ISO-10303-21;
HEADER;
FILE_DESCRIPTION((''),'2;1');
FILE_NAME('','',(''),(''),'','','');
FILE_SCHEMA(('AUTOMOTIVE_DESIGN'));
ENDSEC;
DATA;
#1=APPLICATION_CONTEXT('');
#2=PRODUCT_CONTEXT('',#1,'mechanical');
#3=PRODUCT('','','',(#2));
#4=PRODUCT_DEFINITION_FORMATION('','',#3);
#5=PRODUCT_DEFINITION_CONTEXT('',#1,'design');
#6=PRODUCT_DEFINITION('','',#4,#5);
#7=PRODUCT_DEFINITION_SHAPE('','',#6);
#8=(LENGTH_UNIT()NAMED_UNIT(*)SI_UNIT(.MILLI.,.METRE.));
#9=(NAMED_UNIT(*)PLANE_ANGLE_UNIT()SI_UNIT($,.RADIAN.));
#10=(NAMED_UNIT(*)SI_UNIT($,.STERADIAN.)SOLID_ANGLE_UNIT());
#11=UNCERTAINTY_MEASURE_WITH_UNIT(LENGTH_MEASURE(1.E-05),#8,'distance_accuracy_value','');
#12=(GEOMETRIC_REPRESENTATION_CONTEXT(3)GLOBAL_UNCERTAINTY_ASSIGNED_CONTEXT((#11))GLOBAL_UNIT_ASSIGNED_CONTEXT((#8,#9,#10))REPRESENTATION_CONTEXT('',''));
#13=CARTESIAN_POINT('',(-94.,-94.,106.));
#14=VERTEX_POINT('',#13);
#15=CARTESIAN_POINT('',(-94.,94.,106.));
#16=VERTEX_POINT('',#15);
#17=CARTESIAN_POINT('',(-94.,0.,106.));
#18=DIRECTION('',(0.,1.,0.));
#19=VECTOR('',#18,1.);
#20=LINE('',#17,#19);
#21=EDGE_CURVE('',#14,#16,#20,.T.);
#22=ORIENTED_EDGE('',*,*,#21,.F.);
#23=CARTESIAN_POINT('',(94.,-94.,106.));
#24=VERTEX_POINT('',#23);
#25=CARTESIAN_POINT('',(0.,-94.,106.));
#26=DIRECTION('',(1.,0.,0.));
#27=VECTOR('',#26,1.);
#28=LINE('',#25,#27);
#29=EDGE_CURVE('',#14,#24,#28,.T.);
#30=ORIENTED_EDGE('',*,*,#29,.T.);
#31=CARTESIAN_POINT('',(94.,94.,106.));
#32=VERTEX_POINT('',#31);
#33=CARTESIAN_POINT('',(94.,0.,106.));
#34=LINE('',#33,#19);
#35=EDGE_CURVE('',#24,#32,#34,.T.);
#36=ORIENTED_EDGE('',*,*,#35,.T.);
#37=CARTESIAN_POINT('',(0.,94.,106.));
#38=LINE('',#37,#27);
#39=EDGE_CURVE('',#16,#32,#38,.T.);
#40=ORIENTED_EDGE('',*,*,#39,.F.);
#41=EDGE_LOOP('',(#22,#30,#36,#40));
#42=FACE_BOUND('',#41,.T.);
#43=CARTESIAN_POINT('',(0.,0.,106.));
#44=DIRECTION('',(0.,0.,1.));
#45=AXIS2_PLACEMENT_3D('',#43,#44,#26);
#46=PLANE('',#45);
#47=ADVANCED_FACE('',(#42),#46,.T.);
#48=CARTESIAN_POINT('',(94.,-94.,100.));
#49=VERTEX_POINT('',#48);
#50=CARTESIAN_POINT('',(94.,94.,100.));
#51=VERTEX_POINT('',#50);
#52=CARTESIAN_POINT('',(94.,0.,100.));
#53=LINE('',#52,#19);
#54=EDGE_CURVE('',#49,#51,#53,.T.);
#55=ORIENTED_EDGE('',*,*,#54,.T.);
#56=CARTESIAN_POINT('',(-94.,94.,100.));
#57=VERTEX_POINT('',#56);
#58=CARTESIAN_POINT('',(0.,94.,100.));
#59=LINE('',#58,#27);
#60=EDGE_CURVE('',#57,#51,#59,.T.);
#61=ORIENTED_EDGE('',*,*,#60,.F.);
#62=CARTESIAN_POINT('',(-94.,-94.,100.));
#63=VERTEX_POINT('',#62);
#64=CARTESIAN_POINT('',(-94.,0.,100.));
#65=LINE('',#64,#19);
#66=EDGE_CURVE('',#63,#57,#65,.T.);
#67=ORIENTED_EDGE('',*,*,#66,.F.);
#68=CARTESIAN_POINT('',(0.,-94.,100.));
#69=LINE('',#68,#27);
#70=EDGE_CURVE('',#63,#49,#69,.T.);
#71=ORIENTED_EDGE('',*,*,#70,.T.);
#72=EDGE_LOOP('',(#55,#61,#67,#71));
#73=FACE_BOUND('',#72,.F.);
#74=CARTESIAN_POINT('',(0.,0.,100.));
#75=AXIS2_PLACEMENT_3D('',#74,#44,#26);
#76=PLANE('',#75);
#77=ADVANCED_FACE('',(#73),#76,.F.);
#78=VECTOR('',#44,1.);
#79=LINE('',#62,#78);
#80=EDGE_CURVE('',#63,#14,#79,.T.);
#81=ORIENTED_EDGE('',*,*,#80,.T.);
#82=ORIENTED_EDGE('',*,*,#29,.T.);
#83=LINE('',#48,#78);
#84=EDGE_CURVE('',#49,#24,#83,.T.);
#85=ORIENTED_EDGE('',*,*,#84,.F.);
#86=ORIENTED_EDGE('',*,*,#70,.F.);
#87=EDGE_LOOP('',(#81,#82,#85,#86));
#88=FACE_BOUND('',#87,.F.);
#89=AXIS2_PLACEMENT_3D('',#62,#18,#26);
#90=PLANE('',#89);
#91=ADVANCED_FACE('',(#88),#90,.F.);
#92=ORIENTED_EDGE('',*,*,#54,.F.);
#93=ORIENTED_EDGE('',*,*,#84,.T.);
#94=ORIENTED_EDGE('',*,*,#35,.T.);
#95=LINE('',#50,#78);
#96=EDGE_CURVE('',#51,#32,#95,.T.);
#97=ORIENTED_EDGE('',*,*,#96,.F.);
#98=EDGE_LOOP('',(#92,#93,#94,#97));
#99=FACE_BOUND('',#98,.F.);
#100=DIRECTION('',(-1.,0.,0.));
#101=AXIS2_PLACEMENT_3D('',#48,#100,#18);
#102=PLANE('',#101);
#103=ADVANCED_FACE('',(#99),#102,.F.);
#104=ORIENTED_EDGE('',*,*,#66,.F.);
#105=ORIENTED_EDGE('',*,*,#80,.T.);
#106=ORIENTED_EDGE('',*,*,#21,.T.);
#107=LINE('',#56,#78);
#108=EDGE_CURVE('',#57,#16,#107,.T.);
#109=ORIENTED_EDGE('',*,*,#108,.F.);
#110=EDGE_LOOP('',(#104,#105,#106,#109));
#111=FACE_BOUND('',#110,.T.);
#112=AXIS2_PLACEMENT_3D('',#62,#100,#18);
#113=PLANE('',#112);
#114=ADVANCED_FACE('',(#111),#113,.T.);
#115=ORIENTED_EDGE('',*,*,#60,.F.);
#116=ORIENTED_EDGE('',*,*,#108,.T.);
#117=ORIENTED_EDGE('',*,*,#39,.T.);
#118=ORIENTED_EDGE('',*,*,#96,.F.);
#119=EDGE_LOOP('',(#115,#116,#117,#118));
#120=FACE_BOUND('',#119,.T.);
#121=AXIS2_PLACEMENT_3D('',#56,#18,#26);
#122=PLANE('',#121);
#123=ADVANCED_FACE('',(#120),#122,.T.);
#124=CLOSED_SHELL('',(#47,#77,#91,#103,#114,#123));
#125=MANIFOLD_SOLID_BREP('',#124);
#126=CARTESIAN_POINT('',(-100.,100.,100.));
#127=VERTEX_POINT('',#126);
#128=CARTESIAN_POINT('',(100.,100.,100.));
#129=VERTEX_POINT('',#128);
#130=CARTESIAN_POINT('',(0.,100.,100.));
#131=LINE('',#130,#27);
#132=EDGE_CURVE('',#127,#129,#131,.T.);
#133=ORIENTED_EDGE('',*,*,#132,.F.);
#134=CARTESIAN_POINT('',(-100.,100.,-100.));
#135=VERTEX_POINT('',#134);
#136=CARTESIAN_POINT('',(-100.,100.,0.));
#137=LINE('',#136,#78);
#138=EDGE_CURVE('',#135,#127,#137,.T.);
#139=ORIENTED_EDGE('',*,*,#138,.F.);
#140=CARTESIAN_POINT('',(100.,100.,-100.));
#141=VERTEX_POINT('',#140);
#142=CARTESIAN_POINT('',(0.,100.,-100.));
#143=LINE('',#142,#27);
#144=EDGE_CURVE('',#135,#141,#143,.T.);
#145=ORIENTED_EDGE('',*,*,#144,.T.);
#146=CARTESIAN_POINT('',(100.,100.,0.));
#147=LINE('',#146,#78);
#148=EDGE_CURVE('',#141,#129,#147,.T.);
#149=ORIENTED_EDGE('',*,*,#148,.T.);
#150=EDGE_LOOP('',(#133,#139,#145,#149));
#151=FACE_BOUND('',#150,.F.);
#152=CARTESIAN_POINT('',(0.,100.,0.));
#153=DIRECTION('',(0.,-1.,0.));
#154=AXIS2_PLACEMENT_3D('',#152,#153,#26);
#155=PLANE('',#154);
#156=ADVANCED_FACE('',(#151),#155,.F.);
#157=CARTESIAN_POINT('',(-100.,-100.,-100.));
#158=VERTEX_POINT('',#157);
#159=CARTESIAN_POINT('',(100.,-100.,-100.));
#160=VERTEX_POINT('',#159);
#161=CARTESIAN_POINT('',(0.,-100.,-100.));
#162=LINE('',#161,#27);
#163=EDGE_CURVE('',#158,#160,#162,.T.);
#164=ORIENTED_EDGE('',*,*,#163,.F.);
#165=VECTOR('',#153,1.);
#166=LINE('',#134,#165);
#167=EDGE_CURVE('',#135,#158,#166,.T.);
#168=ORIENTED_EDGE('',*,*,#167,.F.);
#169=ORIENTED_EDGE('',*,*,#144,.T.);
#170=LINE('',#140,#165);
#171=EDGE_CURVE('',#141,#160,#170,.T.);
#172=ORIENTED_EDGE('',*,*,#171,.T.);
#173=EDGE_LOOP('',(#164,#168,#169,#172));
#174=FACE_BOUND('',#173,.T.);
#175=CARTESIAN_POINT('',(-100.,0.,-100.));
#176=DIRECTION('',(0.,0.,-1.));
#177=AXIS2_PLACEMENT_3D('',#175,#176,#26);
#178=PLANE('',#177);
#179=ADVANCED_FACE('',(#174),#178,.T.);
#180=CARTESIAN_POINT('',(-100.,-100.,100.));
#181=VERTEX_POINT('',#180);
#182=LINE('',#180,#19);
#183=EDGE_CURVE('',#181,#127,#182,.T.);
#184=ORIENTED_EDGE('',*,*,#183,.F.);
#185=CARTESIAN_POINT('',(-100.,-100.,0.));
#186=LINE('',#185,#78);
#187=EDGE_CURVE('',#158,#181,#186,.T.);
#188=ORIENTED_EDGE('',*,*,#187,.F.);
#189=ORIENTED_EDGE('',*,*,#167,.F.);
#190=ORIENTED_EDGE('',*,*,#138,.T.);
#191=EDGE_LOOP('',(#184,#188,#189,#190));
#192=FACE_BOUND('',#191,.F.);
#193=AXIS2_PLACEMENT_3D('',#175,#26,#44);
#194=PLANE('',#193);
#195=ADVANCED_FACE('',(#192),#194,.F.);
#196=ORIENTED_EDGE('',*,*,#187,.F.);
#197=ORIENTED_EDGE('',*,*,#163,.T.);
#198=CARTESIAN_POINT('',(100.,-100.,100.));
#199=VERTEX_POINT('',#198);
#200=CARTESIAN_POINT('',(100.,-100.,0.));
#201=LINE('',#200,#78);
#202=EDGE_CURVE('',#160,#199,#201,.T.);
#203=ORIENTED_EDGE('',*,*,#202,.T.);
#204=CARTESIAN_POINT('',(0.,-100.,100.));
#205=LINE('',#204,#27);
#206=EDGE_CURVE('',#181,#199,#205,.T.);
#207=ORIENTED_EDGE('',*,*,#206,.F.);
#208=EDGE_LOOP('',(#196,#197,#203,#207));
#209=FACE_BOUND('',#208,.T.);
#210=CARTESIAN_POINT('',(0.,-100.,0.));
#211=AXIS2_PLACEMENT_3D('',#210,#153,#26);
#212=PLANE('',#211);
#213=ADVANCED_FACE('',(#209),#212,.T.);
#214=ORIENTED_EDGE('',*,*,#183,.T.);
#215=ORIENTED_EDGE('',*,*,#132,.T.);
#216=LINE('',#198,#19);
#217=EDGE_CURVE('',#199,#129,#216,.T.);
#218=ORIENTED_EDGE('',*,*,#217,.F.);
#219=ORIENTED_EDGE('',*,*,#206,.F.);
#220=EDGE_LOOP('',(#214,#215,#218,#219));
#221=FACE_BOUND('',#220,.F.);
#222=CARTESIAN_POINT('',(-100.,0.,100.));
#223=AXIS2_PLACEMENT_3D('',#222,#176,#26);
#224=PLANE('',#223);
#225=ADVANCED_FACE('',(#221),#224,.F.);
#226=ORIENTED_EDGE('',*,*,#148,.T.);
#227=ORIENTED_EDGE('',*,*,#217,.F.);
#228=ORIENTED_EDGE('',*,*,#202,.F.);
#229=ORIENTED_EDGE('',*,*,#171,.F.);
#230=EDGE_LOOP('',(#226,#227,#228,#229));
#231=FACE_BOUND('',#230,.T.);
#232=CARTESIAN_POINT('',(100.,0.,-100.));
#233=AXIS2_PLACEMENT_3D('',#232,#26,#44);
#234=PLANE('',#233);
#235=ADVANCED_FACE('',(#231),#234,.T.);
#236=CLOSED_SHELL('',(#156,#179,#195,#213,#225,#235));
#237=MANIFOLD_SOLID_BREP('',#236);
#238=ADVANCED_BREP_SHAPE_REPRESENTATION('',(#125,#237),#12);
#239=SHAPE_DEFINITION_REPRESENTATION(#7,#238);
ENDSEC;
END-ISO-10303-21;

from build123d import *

# Parameters (mm, degrees)
F0_W     = 200
F0_H     = 200
F1_DEPTH = 100
F2_W     = 188
F2_H     = 188
F3_DEPTH = 6


with BuildPart() as f1:
    # F0 (on Front) → F1 (new body, symmetric)
    with BuildSketch(Plane.XZ):
        Rectangle(F0_W, F0_H)
    extrude(amount=F1_DEPTH, both=True)


with BuildPart() as f3:
    # F2 (on face) → F3 (new body)
    with BuildSketch(Plane.XY.offset(100)):
        Rectangle(F2_W, F2_H)
    extrude(amount=F3_DEPTH)


solid = Compound([f1.part, f3.part])
